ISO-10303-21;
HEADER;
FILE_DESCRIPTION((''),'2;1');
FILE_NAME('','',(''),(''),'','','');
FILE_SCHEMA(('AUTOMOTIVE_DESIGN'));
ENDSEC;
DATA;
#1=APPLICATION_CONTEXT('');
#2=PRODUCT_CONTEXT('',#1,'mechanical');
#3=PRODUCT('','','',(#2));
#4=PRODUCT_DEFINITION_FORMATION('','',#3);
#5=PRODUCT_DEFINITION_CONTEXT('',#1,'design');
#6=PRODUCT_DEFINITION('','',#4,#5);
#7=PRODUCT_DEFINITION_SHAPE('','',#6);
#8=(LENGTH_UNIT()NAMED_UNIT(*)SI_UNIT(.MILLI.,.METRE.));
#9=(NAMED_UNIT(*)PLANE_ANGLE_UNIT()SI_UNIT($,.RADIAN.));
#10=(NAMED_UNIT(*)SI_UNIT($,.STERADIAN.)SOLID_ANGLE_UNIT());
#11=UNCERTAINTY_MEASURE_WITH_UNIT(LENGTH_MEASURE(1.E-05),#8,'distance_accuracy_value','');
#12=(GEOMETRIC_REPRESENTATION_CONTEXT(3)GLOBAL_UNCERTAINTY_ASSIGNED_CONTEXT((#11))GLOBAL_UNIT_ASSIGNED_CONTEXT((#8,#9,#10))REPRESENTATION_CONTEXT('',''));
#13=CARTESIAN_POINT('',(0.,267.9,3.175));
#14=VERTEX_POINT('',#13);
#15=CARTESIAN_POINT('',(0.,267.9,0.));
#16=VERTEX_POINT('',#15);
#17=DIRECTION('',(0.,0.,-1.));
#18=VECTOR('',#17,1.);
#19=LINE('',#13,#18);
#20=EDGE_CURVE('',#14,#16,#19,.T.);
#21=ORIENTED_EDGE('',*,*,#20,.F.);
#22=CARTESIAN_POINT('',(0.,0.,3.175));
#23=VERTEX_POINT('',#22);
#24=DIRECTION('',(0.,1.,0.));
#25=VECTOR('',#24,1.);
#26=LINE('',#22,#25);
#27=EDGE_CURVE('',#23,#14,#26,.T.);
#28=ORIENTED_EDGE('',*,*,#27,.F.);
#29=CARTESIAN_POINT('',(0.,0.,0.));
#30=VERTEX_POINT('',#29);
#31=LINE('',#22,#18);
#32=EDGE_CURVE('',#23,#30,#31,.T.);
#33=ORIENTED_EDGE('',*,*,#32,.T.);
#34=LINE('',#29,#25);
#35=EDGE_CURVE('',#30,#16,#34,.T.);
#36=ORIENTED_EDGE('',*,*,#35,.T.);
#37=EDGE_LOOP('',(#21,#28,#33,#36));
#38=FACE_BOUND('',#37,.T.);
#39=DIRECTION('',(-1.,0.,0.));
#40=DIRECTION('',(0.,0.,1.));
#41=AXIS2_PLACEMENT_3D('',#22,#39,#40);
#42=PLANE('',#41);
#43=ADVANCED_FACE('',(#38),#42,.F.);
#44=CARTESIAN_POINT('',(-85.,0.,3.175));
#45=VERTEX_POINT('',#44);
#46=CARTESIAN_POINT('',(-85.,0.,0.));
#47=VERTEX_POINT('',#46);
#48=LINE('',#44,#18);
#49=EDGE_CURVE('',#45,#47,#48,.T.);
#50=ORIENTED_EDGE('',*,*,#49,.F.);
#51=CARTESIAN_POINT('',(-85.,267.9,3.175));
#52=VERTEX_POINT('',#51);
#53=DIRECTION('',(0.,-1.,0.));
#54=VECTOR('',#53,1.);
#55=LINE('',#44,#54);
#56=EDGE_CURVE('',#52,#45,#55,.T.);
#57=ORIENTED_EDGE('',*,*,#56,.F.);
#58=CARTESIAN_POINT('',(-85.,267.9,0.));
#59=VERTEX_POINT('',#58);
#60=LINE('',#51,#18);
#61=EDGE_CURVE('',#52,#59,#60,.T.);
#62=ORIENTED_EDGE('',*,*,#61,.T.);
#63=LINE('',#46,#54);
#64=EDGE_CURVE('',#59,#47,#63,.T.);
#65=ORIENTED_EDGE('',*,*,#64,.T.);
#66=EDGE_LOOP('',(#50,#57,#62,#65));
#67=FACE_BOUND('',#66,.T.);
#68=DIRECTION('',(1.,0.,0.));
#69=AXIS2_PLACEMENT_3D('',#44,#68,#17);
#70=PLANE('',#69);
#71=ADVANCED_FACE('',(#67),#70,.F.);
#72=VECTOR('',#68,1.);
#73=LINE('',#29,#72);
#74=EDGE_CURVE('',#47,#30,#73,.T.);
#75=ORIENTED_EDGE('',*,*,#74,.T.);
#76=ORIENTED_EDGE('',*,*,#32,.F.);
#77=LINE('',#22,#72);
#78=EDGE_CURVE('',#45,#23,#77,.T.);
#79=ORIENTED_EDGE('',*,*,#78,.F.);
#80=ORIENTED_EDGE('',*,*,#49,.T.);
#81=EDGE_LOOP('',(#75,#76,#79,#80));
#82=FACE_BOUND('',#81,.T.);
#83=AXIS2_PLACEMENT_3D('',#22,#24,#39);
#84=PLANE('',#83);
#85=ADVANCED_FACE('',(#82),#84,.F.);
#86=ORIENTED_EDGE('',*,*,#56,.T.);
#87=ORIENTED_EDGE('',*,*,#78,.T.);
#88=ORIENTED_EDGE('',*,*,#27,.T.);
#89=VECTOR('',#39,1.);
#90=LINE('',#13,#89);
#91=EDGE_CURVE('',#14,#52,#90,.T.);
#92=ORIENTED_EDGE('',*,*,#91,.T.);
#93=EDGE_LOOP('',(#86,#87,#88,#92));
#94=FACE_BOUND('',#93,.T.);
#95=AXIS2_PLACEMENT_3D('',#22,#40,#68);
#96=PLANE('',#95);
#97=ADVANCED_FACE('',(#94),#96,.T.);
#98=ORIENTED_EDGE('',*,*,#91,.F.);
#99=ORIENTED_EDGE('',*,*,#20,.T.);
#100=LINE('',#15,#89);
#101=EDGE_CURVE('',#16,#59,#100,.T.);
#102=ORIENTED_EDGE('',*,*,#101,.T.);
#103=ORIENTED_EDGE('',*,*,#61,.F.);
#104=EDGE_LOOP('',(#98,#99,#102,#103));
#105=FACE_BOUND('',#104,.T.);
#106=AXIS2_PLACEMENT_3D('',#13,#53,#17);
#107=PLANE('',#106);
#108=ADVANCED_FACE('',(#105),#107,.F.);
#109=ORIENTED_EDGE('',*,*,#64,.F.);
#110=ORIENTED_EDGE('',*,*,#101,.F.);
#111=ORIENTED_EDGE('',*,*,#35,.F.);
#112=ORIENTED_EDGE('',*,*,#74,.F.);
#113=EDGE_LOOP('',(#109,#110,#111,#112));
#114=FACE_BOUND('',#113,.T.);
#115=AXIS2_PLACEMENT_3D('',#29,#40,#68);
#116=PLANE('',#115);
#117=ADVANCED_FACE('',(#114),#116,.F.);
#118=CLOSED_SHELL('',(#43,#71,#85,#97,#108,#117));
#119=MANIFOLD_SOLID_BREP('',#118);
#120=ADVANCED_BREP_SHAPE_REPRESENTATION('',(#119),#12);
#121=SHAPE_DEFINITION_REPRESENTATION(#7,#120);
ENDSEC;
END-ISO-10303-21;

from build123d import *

# Parameters (mm, degrees)
SKETCH3_W           = 85
SKETCH3_H           = 267.9
BOSS_EXTRUDE1_DEPTH = 3.175


with BuildPart() as part:
    # Sketch3 → Boss-Extrude1 (new body)
    with BuildSketch(Plane.XY):
        with Locations((-42.5, 133.95)):
            Rectangle(SKETCH3_W, SKETCH3_H)
    extrude(amount=BOSS_EXTRUDE1_DEPTH)


solid = part.part
